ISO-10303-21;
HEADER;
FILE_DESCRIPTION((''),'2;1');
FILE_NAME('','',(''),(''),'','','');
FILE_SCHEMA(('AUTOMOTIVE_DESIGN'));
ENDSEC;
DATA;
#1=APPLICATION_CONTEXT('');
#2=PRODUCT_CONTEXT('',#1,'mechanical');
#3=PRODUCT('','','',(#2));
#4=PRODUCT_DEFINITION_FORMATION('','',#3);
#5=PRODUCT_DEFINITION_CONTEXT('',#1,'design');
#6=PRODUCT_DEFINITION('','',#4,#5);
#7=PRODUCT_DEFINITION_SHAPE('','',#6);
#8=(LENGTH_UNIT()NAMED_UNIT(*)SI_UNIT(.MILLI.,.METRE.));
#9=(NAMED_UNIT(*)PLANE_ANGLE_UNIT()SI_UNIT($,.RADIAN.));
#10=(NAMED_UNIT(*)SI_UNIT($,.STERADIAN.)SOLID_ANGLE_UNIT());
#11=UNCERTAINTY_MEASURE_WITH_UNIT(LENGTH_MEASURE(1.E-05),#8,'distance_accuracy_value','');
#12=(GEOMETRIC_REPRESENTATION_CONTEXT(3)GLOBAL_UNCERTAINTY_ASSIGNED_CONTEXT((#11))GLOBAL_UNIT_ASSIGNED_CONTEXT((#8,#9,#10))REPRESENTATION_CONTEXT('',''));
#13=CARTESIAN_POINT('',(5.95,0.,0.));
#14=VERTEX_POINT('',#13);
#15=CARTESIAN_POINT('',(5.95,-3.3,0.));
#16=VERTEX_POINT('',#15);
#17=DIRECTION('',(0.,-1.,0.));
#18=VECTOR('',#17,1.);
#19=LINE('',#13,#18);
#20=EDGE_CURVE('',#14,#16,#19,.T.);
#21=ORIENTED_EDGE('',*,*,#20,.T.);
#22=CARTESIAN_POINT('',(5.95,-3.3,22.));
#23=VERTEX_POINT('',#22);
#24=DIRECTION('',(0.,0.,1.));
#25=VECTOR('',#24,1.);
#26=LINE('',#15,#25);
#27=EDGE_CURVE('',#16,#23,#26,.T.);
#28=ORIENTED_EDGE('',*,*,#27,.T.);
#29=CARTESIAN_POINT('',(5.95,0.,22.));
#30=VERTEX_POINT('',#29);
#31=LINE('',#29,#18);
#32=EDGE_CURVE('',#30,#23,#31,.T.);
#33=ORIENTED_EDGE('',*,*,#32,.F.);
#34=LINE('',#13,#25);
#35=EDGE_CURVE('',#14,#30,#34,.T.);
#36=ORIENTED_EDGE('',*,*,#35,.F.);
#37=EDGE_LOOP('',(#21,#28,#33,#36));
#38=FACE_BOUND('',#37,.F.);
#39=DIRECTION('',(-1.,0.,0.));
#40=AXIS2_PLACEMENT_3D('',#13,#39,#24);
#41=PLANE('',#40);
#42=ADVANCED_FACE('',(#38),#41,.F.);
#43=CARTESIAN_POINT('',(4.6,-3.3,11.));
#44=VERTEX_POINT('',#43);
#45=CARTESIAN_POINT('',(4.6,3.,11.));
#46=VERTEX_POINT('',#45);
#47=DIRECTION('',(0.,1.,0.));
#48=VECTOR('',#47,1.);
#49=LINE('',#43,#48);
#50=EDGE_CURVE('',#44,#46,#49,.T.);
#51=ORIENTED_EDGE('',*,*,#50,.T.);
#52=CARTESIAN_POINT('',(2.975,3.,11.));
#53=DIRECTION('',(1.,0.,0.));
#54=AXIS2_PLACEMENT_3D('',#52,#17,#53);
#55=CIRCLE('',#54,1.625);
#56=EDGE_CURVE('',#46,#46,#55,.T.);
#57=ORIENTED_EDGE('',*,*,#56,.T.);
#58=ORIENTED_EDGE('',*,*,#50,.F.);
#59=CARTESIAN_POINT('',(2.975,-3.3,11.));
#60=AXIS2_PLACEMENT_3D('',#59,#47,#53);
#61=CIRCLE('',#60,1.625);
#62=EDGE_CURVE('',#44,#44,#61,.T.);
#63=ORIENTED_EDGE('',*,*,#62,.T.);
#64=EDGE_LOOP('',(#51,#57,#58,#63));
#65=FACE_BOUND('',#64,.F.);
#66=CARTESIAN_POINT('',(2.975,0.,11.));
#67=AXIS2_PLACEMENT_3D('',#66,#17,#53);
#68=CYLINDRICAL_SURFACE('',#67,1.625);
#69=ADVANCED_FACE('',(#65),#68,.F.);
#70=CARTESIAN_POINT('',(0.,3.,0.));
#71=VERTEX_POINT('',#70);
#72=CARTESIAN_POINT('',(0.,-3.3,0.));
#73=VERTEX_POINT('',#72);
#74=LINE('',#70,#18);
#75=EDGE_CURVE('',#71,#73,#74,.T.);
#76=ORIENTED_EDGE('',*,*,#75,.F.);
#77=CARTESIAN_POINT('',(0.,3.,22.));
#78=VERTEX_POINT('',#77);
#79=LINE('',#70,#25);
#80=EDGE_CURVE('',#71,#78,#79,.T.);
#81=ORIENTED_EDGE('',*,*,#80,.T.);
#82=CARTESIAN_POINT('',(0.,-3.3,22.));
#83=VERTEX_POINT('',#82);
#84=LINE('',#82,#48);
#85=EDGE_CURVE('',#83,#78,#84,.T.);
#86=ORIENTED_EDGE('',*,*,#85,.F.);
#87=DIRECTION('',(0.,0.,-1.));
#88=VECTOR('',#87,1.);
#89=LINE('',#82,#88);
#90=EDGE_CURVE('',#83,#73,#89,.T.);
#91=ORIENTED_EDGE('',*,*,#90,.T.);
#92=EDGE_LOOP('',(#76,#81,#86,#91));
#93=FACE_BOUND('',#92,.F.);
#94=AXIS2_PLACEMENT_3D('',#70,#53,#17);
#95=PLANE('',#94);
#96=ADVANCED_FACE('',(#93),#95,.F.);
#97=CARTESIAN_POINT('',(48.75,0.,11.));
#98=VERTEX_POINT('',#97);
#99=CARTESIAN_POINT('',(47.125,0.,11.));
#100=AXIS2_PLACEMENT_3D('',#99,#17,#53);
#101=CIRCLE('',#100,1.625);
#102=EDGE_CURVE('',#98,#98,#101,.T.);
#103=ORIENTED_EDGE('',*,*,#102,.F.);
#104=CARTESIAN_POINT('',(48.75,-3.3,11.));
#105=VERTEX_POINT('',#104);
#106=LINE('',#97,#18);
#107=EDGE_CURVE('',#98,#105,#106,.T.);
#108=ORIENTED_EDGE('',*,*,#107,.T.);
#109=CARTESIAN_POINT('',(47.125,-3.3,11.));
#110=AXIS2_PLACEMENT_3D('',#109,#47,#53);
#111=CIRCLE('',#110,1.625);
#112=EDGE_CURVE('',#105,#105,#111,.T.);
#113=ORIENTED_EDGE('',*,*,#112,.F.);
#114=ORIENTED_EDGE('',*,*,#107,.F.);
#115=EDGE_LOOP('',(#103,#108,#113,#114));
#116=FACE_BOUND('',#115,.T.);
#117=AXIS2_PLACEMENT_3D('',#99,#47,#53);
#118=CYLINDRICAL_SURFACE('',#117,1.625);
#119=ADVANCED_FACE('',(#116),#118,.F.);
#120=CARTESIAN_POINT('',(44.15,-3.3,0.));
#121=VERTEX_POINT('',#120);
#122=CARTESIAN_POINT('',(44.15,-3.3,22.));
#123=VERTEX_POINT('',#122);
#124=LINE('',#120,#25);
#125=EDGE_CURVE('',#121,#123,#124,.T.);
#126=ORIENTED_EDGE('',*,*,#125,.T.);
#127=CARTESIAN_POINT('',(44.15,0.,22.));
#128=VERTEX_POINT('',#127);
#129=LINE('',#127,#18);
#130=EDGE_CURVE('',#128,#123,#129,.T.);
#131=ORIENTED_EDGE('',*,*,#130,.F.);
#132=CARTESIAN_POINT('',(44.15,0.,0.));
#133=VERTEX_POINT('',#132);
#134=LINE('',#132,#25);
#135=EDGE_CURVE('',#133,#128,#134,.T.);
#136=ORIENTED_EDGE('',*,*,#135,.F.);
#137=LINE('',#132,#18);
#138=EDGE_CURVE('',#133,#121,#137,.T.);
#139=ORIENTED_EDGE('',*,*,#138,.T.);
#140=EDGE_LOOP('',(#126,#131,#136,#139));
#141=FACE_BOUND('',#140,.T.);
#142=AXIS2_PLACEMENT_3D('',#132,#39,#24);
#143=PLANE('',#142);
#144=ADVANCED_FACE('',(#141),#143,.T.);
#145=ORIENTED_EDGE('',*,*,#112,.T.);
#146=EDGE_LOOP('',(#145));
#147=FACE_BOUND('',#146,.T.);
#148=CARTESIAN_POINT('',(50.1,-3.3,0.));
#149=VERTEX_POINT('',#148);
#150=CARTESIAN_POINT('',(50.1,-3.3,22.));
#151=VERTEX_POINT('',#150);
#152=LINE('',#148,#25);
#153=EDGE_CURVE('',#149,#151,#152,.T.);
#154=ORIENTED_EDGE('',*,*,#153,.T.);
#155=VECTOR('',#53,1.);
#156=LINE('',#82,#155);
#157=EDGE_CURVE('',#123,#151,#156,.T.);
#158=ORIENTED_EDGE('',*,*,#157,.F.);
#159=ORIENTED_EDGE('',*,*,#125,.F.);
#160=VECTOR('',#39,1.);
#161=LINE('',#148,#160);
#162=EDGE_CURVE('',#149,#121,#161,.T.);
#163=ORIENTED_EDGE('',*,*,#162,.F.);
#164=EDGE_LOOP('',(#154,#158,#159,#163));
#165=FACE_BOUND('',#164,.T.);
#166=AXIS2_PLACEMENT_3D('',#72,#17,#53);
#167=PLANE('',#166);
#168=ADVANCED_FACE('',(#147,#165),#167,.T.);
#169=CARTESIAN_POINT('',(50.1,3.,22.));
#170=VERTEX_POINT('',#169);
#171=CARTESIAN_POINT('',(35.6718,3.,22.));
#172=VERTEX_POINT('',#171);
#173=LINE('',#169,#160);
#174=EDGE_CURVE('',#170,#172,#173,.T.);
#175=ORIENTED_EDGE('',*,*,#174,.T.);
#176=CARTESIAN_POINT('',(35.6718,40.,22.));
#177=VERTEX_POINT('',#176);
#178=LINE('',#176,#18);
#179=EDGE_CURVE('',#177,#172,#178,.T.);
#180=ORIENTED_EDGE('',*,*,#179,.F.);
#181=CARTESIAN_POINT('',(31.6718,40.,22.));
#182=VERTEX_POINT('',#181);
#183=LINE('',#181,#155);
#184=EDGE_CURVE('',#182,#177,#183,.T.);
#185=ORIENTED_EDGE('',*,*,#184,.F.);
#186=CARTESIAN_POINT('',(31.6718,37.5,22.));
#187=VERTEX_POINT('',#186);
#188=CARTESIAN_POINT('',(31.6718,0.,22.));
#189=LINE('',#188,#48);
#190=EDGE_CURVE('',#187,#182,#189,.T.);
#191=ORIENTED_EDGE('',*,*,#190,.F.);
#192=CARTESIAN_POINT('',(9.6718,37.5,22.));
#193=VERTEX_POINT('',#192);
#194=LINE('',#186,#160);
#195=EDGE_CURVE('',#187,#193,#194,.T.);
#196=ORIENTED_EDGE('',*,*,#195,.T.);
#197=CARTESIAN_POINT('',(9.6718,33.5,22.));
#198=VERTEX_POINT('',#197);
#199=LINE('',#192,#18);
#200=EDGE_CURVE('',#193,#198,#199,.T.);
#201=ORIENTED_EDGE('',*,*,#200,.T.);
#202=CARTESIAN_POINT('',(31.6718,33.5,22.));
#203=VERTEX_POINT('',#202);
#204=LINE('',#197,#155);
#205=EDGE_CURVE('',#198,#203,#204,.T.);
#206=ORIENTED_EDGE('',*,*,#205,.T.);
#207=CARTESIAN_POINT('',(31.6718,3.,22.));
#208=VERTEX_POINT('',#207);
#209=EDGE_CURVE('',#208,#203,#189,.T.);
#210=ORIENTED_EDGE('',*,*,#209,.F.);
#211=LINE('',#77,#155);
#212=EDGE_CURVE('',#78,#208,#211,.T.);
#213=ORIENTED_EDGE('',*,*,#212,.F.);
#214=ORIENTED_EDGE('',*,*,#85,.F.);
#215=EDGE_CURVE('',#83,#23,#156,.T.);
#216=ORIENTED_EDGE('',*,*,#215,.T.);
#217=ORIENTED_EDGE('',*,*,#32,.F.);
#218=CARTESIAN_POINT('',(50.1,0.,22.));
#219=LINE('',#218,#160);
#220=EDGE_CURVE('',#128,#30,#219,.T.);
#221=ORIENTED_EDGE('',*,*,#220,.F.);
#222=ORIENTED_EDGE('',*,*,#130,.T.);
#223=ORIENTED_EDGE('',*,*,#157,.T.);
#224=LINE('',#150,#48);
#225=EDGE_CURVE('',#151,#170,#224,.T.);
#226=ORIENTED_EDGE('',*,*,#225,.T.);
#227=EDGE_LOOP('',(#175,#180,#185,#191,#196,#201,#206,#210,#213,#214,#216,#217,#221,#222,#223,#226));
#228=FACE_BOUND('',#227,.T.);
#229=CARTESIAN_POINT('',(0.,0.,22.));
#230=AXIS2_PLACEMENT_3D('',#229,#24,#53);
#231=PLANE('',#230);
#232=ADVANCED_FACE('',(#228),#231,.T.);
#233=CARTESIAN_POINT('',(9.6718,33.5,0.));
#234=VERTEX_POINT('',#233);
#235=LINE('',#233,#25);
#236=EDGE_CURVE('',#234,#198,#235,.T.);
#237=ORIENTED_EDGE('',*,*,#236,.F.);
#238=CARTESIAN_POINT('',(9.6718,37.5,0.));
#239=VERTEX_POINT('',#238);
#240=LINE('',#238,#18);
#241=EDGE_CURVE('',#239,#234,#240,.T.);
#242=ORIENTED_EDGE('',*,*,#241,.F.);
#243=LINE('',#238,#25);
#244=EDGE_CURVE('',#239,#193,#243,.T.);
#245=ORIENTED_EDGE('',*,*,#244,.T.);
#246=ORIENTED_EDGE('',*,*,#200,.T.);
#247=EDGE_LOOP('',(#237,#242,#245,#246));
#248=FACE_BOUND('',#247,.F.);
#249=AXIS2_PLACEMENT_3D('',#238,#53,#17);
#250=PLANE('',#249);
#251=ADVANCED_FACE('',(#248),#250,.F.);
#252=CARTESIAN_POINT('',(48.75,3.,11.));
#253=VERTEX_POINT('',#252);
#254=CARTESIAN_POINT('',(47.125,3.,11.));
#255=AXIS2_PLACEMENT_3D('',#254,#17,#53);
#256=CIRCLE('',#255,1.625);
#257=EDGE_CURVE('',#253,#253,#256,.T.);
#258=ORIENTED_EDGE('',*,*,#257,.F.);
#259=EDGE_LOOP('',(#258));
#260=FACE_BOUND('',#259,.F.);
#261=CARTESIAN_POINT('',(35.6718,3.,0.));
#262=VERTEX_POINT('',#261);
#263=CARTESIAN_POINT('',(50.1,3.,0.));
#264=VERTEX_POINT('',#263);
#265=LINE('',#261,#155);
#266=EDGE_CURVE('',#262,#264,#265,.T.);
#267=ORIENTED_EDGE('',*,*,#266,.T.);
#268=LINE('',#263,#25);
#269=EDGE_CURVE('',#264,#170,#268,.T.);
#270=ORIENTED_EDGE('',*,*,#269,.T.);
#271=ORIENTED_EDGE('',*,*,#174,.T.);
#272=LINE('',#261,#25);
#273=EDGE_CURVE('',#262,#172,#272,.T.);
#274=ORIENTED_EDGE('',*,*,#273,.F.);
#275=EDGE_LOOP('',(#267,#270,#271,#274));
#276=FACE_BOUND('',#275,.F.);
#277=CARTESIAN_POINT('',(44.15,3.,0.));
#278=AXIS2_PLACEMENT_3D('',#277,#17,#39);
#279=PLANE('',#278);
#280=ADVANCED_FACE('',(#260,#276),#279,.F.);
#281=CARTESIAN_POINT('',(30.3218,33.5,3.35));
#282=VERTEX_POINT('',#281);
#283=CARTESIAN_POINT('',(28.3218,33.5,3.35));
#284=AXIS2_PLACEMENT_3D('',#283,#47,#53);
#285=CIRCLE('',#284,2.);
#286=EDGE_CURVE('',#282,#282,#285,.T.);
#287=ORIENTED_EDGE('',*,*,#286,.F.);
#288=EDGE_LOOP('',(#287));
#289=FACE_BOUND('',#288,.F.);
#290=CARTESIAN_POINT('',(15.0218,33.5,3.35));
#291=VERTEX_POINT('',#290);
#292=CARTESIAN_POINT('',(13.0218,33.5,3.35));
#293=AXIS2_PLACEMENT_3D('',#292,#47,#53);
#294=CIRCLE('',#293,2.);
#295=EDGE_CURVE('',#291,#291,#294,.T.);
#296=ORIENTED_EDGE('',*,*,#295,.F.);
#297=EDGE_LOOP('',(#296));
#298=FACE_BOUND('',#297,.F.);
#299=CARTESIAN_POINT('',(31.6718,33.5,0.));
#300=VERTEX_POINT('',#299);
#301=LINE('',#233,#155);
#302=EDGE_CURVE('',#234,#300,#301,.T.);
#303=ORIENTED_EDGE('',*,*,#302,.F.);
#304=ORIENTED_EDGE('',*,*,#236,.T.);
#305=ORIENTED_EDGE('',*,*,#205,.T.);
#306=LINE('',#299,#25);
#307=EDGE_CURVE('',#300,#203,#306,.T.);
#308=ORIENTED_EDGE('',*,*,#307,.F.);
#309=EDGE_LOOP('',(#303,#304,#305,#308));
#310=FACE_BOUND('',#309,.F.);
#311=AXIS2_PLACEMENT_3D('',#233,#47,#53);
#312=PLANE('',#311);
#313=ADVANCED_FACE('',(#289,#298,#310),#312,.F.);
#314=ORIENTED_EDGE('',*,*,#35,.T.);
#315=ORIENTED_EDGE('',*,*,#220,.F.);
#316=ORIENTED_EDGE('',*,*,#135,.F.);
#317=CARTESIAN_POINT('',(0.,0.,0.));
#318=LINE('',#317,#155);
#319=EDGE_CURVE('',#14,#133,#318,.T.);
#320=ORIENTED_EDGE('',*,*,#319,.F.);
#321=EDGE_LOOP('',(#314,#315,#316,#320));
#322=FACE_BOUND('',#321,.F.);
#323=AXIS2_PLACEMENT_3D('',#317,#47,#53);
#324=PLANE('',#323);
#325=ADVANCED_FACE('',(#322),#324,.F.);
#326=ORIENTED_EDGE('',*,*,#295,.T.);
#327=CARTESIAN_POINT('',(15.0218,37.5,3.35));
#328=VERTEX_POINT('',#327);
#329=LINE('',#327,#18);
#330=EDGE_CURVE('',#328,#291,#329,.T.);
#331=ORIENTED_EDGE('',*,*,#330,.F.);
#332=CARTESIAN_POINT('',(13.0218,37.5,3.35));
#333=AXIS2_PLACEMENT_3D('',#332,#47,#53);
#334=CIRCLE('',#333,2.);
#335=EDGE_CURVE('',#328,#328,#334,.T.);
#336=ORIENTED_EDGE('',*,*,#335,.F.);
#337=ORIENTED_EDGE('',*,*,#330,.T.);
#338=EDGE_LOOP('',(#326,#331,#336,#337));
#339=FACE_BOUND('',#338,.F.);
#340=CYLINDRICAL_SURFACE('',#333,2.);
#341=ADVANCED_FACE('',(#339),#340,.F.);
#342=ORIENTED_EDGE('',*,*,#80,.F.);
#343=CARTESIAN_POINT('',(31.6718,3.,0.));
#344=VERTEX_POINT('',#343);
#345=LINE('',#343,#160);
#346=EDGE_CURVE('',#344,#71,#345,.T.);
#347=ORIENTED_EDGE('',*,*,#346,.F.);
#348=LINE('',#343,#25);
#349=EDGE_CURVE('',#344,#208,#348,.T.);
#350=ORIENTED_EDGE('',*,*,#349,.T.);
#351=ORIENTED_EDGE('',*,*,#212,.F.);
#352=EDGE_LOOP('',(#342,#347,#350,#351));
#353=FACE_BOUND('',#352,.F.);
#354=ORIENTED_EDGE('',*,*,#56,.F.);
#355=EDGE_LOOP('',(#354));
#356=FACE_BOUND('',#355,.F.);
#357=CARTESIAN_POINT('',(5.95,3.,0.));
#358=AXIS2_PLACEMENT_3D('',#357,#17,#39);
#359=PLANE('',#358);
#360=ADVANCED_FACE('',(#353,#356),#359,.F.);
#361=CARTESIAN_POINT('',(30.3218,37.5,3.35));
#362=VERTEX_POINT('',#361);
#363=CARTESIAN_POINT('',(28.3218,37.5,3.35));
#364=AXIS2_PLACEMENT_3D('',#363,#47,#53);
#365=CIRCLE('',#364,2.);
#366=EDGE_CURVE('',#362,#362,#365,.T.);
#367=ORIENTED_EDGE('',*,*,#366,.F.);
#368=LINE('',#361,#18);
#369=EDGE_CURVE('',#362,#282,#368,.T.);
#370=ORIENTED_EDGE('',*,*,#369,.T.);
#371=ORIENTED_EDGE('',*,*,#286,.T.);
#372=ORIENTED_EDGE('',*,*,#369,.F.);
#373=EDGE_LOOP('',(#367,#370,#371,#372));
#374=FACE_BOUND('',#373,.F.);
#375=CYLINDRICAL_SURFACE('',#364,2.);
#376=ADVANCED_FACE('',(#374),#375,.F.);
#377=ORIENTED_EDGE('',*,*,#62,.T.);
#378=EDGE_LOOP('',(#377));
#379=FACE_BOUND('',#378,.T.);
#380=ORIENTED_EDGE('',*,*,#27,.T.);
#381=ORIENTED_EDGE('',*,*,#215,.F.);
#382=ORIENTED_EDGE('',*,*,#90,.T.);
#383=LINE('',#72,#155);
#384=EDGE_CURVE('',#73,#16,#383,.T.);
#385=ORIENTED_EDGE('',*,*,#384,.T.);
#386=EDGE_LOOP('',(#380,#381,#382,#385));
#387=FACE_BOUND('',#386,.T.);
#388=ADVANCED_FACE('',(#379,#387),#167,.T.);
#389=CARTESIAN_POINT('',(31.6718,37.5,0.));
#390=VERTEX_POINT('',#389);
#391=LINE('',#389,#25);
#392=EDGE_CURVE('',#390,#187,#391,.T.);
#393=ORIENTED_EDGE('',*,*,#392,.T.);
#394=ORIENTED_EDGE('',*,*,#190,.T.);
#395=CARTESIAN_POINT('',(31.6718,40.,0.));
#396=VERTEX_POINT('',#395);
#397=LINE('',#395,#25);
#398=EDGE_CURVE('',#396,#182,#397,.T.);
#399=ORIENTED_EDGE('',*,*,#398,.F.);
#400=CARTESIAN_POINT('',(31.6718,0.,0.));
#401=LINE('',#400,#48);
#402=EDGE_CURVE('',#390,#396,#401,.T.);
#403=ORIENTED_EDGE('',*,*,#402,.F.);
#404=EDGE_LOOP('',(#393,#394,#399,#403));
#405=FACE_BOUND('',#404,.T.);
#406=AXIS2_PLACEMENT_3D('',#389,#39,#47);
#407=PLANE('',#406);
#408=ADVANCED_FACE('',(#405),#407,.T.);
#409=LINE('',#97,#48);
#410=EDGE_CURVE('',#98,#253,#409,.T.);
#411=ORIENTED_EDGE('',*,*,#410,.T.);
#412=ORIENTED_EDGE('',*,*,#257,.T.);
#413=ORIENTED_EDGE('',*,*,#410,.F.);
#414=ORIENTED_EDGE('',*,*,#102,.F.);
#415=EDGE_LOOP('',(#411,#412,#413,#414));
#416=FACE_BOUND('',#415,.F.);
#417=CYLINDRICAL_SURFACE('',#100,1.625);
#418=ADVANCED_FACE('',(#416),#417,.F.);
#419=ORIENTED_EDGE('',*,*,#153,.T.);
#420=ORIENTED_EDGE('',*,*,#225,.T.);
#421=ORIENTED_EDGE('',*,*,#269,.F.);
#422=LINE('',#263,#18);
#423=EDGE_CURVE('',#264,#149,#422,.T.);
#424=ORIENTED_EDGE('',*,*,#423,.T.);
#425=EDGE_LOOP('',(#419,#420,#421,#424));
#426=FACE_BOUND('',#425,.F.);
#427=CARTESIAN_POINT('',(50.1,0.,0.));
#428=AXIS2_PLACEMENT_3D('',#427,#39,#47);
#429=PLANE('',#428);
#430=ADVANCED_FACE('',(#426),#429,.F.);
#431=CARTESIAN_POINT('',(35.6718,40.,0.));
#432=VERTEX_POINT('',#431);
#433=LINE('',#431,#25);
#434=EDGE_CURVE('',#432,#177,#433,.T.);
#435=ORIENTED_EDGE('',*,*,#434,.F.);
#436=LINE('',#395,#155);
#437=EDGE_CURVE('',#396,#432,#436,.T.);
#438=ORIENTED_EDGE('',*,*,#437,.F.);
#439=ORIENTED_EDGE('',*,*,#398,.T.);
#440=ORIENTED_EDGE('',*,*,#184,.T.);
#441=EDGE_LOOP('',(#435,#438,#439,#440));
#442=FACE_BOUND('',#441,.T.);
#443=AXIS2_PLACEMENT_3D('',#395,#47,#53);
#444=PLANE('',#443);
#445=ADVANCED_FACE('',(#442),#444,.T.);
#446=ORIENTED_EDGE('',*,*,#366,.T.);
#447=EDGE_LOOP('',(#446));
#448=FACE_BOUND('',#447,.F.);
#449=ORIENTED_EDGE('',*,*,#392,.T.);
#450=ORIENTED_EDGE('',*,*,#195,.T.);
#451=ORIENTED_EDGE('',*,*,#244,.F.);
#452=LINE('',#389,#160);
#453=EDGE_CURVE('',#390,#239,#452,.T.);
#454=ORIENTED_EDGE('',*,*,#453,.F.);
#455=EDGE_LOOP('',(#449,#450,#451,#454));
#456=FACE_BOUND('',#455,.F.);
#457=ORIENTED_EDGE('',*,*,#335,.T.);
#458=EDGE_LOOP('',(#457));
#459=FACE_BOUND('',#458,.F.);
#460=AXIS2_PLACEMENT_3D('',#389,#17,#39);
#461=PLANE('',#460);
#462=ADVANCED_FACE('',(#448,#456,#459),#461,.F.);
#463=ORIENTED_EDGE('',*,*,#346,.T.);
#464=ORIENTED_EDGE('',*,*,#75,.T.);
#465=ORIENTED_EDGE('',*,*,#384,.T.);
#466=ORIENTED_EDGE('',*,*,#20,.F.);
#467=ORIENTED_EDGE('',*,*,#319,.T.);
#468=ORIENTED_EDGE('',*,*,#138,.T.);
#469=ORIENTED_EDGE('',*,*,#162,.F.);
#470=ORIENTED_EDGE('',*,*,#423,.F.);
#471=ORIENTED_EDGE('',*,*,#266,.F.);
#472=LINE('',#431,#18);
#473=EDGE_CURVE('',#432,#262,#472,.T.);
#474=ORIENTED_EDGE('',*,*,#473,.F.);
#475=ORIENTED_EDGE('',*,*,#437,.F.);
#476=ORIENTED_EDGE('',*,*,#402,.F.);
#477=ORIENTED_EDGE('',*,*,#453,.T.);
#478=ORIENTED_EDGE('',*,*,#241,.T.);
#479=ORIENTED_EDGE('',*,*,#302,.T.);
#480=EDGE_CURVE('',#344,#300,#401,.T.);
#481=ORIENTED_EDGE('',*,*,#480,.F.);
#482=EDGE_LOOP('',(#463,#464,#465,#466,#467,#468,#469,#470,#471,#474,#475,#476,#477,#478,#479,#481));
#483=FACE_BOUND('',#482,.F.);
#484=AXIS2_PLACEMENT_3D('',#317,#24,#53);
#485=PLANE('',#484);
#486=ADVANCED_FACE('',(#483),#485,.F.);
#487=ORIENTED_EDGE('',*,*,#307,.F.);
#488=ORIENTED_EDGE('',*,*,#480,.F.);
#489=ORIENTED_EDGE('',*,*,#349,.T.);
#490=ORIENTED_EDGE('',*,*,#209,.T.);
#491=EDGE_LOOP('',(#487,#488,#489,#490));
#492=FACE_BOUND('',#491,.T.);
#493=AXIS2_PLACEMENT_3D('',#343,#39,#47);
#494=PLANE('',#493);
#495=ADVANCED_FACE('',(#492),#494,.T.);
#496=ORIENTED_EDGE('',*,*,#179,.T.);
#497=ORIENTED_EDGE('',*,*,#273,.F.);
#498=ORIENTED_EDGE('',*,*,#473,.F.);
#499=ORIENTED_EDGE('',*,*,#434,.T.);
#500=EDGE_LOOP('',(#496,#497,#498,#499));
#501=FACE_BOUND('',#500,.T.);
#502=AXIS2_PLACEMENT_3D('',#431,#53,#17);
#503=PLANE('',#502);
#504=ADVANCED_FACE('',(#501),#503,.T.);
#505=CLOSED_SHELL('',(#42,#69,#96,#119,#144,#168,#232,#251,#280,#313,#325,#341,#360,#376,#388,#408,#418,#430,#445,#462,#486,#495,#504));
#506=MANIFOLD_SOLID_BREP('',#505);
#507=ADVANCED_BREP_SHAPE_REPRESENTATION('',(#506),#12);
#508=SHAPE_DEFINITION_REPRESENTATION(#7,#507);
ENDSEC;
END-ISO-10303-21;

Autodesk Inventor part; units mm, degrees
ref_plane "YZ Plane" through (0, 0, 0) normal (1, 0, 0) x (0, 1, 0)
ref_plane "XZ Plane" through (0, 0, 0) normal (0, 1, 0) x (-1, 0, 0)
ref_plane "XY Plane" through (0, 0, 0) normal (0, 0, 1) x (1, 0, 0)
sketch "Sketch1" plane through (0, 0, 0) normal (0, 0, 1) x (1, 0, 0)
  line L0 (0, 0) -> (50.1, 0)
  line L1 (50.1, 0) -> (50.1, 3)
  line L2 (50.1, 3) -> (0, 3)
  line L3 (0, 3) -> (0, 0)
  line L4 (35.6718, 0) -> (31.6718, 0)
  line L5 (31.6718, 0) -> (31.6718, 40)
  line L6 (31.6718, 40) -> (35.6718, 40)
  line L7 (35.6718, 40) -> (35.6718, 0)
  line L8 (31.6718, 37.5) -> (9.6718, 37.5)
  line L9 (9.6718, 37.5) -> (9.6718, 33.5)
  line L10 (9.6718, 33.5) -> (31.6718, 33.5)
  line L11 (31.6718, 33.5) -> (31.6718, 37.5)
  line L12 (5.95, 0) -> (44.15, 0)
  line L13 (44.15, 0) -> (44.15, 3)
  line L14 (44.15, 3) -> (5.95, 3)
  line L15 (5.95, 3) -> (5.95, 0)
  point P0 (35.6718, 3)
  point P1 (31.6718, 3)
  dimension "d0" = 50.1
  dimension "d1" = 3
  dimension "d2" = 40
  dimension "d3" = 22
  dimension "d4" = 4
  dimension "d5" = 2.5
  dimension "d6" = 38.2
  dimension "d7" = 5.95
  dimension "d30" = 4
extrude "Extrusion1" add sketch "Sketch1" along normal blind 22
sketch "Sketch2" plane through (0, 0, 0) normal (0, -1, 0) x (1, 0, 0)
  line L0 (50.1, 0) -> (50.1, 22) projected
  line L1 (0, 22) -> (50.1, 22) projected
  line L2 (50.1, 0) -> (44.15, 0)
  line L3 (44.15, 0) -> (44.15, 22)
  line L4 (44.15, 22) -> (50.1, 22)
  line L5 (50.1, 22) -> (50.1, 0)
  line L6 (0, 0) -> (5.95, 0)
  line L7 (5.95, 0) -> (5.95, 22)
  line L8 (5.95, 22) -> (0, 22)
  line L9 (0, 22) -> (0, 0)
  circle A0 centre (47.125, 11) radius 1.625
  circle A1 centre (2.975, 11) radius 1.625
  point P0 (47.125, 22)
  point P1 (0, 11)
  dimension "d10" = 5.95
  dimension "d11" = 5.95
  dimension "d14" = 3.25
  dimension "d15" = 3.25
  dimension "d16" = 2.975
  dimension "d17" = 11
  dimension "d18" = 2.975
  dimension "d19" = 11
extrude "Extrusion2" add sketch "Sketch2" along normal blind 3.3 contours L2 L3 L1 L0 | L7 L6 L9 L1 | A0 | A1
extrude "Extrusion3" cut sketch "Sketch2" along normal through all both and the other way through all contours A0 | A1
sketch "Sketch3" plane through (9.6718, 37.5, 0) normal (0, 1, 0) x (1, 0, 0)
  circle A0 centre (18.65, -18.65) radius 2
  circle A1 centre (18.65, -3.35) radius 2
  line L0 (22, 0) -> (22, -22) projected
  line L1 (22, -22) -> (-9.6718, -22) projected
  line L2 (22, 0) -> (0, 0) projected
  circle A2 centre (3.35, -3.35) radius 2
  line L3 (0, 0) -> (0, -22) projected
  point P0 (-9.6718, 0)
  point P1 (11, 0)
  dimension "d22" = 3.35
  dimension "d23" = 4
  dimension "d24" = 4
  dimension "d25" = 15.3
  dimension "d26" = 3.35
  dimension "d31" = 15.3
  dimension "d32" = 4
  dimension "d33" = 3.35
  dimension "d34" = 3.35
extrude "Extrusion4" cut sketch "Sketch3" against normal blind 10 contours A1 | A2
equation "\"d7\" = -0.5 * d6 + 0.5 * d0"
properties part number "IMU_shin_mount"
